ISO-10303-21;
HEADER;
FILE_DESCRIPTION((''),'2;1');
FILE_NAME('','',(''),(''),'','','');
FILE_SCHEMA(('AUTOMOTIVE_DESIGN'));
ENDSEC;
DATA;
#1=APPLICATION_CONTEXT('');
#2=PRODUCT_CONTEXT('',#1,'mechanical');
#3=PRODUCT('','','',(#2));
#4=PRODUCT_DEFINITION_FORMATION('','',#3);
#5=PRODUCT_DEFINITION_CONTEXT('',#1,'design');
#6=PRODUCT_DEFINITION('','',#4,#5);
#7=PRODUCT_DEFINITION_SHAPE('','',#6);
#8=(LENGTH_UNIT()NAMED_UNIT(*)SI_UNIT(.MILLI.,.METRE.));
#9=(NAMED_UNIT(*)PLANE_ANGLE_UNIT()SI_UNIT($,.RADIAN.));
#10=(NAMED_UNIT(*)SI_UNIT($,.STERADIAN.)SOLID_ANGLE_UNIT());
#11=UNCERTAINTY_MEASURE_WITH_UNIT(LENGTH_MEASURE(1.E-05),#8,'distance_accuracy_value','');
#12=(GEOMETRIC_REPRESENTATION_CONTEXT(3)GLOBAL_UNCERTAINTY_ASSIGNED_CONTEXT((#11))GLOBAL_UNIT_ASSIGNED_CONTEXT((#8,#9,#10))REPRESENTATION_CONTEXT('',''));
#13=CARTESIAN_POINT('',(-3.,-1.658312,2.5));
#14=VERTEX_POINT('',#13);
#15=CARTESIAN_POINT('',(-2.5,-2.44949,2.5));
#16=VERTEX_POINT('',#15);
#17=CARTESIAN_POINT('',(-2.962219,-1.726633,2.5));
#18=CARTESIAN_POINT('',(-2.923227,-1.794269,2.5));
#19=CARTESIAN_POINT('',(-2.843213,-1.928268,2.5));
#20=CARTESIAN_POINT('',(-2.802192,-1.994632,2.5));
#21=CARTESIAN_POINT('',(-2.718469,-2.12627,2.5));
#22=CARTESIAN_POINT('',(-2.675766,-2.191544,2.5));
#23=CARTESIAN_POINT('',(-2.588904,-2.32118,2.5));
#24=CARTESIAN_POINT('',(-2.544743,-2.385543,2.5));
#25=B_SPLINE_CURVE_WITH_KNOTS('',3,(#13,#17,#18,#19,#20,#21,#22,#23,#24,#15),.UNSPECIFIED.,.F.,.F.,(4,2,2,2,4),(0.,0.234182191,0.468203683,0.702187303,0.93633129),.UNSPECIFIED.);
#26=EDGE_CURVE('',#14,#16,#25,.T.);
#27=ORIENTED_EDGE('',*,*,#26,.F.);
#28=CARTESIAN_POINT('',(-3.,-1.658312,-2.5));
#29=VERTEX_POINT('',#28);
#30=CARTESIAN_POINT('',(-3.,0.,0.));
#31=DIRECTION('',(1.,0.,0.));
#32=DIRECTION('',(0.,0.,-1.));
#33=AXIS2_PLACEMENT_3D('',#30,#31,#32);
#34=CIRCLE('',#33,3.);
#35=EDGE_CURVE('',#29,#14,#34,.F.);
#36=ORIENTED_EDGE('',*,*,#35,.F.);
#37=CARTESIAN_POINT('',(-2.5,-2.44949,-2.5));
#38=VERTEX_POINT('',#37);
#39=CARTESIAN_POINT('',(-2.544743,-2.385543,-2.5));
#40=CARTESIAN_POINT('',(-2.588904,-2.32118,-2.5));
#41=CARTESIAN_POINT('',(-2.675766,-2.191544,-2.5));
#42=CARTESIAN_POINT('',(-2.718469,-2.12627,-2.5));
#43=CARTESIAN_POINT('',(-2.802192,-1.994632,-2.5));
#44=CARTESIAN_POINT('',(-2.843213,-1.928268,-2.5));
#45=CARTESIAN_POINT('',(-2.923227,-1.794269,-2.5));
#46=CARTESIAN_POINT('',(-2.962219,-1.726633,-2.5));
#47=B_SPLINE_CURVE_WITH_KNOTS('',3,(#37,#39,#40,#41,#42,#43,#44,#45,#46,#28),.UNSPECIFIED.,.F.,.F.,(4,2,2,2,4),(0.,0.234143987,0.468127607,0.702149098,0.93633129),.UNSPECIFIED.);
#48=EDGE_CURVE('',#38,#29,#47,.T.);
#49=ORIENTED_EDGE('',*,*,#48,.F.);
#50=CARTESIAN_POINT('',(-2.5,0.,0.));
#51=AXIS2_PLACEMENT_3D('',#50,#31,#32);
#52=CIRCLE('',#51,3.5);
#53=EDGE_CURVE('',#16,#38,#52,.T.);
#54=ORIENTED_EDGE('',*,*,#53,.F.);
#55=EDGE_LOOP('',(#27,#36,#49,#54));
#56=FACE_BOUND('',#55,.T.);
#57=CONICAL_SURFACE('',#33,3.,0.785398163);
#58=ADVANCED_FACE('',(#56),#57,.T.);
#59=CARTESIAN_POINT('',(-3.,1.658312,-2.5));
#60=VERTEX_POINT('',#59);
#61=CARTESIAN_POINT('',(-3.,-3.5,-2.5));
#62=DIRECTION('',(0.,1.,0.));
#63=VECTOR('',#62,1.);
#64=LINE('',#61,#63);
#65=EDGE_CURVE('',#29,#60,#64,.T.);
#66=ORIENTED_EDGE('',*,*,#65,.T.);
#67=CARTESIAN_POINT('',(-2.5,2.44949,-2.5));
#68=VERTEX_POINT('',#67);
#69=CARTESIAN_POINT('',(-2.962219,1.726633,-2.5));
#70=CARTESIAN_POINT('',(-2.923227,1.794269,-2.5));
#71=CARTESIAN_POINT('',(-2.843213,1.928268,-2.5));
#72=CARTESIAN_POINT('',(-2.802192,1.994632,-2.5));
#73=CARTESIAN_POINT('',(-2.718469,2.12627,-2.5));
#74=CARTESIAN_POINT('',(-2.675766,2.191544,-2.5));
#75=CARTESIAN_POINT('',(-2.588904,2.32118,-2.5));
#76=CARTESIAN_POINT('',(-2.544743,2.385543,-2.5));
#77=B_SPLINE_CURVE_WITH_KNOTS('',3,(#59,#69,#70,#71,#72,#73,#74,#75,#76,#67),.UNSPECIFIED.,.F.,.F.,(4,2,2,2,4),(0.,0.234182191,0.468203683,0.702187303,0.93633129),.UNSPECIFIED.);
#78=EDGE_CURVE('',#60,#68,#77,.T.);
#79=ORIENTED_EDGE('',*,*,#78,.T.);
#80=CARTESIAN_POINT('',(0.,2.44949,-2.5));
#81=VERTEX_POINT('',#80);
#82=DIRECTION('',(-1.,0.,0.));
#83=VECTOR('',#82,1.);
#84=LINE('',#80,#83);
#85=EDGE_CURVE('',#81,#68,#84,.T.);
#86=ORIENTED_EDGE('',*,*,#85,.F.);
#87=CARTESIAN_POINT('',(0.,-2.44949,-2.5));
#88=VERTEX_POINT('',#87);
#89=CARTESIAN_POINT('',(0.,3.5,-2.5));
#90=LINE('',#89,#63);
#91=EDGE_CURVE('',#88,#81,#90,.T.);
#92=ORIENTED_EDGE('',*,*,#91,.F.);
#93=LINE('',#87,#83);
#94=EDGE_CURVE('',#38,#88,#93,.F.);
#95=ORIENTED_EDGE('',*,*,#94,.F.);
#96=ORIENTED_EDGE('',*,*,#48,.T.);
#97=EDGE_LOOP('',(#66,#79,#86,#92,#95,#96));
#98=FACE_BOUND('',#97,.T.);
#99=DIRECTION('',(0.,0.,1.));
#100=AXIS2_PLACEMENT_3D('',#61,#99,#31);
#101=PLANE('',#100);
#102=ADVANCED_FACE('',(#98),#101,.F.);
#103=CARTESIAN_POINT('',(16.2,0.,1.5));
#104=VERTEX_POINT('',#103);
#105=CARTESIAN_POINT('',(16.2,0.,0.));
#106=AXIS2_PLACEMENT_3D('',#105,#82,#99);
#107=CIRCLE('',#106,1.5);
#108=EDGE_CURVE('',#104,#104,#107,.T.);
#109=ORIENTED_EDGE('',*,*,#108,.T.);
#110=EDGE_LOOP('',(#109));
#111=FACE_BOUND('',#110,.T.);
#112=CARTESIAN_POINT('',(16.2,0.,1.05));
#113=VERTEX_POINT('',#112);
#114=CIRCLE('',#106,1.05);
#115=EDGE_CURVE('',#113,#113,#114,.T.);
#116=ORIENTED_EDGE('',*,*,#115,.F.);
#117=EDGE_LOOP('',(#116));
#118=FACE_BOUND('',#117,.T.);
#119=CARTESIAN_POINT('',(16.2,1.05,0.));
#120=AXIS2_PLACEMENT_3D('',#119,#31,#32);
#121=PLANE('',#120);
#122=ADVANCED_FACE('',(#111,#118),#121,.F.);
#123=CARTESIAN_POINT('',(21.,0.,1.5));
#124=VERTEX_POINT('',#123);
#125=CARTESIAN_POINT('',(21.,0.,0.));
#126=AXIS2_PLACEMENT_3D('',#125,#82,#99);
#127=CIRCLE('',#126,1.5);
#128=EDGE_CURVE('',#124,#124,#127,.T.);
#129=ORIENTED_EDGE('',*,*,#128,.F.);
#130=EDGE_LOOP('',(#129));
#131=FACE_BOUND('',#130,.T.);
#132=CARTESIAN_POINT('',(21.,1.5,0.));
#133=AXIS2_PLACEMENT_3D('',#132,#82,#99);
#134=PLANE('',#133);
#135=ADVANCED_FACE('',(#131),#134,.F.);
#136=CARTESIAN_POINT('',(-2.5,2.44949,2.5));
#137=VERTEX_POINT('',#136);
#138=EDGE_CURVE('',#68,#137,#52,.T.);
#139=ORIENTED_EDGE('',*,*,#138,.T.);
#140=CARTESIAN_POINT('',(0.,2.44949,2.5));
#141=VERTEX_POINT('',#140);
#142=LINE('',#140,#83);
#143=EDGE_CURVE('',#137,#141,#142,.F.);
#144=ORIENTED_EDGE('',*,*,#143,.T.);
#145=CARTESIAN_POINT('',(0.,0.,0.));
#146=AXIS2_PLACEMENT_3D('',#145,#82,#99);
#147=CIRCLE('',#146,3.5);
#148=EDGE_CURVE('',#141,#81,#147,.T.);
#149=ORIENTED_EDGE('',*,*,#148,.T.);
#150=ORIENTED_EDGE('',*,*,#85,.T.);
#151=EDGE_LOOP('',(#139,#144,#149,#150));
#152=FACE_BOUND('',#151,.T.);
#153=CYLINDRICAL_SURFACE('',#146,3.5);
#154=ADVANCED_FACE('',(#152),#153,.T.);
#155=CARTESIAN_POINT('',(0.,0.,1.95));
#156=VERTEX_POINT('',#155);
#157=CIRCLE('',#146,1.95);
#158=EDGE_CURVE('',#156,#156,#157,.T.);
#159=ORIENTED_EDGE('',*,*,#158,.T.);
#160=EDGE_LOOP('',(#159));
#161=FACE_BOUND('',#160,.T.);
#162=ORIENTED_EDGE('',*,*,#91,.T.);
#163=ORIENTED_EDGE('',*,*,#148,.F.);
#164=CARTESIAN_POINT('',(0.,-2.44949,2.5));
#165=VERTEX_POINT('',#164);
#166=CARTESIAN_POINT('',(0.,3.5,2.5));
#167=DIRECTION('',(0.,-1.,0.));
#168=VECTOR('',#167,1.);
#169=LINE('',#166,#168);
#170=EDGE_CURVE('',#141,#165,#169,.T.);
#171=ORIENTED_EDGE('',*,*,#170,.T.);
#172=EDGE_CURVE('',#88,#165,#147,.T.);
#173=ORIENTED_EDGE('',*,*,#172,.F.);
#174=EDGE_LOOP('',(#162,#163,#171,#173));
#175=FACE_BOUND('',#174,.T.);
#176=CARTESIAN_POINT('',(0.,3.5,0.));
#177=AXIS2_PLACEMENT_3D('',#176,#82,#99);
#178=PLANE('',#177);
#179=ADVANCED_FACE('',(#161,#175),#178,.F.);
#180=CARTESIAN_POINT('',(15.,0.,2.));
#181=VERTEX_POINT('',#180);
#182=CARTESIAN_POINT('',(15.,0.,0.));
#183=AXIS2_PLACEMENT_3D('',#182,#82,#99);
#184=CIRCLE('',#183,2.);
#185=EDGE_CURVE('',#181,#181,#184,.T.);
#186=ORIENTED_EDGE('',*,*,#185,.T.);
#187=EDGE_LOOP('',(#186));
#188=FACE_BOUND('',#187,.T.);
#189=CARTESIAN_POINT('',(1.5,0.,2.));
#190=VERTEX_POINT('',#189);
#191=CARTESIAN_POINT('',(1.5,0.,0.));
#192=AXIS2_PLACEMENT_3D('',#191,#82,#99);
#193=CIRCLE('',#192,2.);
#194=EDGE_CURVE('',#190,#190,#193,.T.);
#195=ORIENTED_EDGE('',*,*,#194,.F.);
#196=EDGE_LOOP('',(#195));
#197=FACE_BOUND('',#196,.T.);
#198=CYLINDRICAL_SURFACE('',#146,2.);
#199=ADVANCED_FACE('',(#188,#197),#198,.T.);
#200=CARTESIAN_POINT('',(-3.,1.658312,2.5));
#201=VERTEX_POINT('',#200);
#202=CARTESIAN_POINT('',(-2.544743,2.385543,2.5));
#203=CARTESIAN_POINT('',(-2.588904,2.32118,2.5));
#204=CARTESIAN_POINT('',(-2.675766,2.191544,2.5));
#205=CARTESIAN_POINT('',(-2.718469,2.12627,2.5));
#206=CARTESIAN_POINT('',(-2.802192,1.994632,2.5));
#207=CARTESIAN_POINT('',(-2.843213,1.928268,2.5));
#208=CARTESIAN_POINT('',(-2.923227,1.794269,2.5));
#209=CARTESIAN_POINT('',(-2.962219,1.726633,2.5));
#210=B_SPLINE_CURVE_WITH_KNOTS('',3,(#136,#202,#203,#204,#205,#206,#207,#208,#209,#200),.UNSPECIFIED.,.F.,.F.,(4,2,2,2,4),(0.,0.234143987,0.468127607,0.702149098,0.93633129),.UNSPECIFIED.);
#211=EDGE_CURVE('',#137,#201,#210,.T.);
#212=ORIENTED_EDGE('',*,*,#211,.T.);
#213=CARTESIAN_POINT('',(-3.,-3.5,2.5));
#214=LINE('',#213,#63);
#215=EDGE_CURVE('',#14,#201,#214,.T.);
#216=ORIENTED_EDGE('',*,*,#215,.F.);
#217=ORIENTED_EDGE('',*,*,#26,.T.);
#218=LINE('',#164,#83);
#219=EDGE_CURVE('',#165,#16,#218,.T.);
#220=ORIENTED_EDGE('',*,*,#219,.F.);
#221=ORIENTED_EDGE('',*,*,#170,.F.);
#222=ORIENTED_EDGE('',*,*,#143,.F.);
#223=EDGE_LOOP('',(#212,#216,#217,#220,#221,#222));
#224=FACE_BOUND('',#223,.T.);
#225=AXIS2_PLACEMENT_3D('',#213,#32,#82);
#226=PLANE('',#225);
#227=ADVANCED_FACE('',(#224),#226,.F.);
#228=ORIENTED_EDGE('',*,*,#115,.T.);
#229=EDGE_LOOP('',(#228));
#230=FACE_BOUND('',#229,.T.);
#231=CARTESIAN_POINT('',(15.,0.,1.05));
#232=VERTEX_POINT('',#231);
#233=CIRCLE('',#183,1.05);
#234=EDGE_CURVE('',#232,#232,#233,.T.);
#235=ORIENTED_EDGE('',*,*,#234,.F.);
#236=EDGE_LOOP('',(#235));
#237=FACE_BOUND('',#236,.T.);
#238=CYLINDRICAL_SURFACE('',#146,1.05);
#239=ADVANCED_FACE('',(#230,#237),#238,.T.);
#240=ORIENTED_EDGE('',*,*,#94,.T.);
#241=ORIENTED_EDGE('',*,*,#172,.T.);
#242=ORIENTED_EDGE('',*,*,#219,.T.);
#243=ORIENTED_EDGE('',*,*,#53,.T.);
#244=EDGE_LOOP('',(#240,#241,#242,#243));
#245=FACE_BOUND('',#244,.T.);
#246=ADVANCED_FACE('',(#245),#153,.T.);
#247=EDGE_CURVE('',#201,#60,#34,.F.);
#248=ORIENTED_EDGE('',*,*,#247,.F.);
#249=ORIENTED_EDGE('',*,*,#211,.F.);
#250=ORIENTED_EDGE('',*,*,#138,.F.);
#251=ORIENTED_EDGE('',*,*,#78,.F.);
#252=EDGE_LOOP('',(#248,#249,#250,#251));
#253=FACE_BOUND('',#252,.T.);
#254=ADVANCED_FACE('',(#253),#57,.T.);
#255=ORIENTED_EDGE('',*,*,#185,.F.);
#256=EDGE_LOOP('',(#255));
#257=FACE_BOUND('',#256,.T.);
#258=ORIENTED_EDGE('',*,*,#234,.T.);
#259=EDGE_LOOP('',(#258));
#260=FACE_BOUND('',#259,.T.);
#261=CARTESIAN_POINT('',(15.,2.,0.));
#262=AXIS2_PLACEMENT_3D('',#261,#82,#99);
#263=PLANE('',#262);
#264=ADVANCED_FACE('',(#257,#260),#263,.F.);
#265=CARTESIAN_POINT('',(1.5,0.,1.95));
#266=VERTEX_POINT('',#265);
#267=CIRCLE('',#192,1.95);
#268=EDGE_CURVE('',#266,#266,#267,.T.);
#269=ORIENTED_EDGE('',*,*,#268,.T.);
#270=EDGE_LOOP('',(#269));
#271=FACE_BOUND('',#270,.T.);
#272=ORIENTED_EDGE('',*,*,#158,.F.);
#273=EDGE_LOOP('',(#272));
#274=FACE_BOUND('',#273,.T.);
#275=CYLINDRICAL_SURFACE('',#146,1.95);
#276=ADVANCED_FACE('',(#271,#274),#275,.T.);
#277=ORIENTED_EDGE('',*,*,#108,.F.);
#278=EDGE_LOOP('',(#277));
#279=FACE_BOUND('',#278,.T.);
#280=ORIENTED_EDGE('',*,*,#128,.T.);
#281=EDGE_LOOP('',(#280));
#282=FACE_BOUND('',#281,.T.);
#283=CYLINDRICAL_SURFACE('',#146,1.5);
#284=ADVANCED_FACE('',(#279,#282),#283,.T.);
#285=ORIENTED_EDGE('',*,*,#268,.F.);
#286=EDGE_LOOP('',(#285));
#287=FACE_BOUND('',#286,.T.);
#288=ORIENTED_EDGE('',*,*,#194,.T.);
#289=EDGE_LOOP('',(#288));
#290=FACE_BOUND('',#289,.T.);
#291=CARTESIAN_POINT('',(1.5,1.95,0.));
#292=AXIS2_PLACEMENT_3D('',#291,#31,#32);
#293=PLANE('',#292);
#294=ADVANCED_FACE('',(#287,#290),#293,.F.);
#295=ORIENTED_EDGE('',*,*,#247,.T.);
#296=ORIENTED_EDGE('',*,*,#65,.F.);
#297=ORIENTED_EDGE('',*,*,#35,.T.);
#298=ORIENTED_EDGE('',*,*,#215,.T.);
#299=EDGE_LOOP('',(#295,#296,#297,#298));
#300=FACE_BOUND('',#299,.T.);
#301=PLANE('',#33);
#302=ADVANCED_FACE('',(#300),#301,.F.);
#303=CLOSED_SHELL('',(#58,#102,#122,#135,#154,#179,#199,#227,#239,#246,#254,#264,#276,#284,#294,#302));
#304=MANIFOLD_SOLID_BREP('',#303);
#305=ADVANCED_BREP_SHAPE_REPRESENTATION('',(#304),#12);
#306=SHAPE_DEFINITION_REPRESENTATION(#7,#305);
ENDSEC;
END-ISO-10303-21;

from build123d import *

# Parameters (mm, degrees)
CUT_EXTRUDE1_DEPTH      = 22.57544901
CUT_EXTRUDE1_DEPTH_BACK = 22.57544901
SKETCH2_W               = 3
SKETCH2_H               = 1
CHAMFER1_SIZE           = 0.5


with BuildPart() as part:
    # Sketch1 → Revolve1 (revolve)
    with BuildSketch(Plane.XY, mode=Mode.PRIVATE) as revolve1_sk:
        Polygon((-3, 0), (-3, 3.5), (0, 3.5), (0, 1.95), (1.5, 1.95), (1.5, 2), (15, 2), (15, 1.05), (16.2, 1.05), (16.2, 1.5), (21, 1.5), (21, 0), align=None)
    revolve(revolve1_sk.sketch.rotate(Axis((0, 0, 0), (1, 0, 0)), 90), axis=Axis((0, 0, 0), (1, 0, 0)))

    # Sketch2 → Cut-Extrude1 (cut, two sides: drawn at the far end of the back side and taken through both)
    with BuildSketch(Plane(origin=(0, 0, 0), x_dir=(1, 0, 0), z_dir=(0, 1, 0)).offset(-CUT_EXTRUDE1_DEPTH_BACK)):
        with Locations((-1.5, 3)):
            Rectangle(SKETCH2_W, SKETCH2_H)
        with Locations((-1.5, -3)):
            Rectangle(SKETCH2_W, SKETCH2_H)
    extrude(amount=CUT_EXTRUDE1_DEPTH + CUT_EXTRUDE1_DEPTH_BACK, mode=Mode.SUBTRACT)

    # Chamfer1
    chamfer1_edges = [part.edges().sort_by_distance(p)[0] for p in [
        (-3, -3.5, 0),
        (-3, 3.5, 0),
    ]]
    chamfer(chamfer1_edges, length=CHAMFER1_SIZE)


solid = part.part
